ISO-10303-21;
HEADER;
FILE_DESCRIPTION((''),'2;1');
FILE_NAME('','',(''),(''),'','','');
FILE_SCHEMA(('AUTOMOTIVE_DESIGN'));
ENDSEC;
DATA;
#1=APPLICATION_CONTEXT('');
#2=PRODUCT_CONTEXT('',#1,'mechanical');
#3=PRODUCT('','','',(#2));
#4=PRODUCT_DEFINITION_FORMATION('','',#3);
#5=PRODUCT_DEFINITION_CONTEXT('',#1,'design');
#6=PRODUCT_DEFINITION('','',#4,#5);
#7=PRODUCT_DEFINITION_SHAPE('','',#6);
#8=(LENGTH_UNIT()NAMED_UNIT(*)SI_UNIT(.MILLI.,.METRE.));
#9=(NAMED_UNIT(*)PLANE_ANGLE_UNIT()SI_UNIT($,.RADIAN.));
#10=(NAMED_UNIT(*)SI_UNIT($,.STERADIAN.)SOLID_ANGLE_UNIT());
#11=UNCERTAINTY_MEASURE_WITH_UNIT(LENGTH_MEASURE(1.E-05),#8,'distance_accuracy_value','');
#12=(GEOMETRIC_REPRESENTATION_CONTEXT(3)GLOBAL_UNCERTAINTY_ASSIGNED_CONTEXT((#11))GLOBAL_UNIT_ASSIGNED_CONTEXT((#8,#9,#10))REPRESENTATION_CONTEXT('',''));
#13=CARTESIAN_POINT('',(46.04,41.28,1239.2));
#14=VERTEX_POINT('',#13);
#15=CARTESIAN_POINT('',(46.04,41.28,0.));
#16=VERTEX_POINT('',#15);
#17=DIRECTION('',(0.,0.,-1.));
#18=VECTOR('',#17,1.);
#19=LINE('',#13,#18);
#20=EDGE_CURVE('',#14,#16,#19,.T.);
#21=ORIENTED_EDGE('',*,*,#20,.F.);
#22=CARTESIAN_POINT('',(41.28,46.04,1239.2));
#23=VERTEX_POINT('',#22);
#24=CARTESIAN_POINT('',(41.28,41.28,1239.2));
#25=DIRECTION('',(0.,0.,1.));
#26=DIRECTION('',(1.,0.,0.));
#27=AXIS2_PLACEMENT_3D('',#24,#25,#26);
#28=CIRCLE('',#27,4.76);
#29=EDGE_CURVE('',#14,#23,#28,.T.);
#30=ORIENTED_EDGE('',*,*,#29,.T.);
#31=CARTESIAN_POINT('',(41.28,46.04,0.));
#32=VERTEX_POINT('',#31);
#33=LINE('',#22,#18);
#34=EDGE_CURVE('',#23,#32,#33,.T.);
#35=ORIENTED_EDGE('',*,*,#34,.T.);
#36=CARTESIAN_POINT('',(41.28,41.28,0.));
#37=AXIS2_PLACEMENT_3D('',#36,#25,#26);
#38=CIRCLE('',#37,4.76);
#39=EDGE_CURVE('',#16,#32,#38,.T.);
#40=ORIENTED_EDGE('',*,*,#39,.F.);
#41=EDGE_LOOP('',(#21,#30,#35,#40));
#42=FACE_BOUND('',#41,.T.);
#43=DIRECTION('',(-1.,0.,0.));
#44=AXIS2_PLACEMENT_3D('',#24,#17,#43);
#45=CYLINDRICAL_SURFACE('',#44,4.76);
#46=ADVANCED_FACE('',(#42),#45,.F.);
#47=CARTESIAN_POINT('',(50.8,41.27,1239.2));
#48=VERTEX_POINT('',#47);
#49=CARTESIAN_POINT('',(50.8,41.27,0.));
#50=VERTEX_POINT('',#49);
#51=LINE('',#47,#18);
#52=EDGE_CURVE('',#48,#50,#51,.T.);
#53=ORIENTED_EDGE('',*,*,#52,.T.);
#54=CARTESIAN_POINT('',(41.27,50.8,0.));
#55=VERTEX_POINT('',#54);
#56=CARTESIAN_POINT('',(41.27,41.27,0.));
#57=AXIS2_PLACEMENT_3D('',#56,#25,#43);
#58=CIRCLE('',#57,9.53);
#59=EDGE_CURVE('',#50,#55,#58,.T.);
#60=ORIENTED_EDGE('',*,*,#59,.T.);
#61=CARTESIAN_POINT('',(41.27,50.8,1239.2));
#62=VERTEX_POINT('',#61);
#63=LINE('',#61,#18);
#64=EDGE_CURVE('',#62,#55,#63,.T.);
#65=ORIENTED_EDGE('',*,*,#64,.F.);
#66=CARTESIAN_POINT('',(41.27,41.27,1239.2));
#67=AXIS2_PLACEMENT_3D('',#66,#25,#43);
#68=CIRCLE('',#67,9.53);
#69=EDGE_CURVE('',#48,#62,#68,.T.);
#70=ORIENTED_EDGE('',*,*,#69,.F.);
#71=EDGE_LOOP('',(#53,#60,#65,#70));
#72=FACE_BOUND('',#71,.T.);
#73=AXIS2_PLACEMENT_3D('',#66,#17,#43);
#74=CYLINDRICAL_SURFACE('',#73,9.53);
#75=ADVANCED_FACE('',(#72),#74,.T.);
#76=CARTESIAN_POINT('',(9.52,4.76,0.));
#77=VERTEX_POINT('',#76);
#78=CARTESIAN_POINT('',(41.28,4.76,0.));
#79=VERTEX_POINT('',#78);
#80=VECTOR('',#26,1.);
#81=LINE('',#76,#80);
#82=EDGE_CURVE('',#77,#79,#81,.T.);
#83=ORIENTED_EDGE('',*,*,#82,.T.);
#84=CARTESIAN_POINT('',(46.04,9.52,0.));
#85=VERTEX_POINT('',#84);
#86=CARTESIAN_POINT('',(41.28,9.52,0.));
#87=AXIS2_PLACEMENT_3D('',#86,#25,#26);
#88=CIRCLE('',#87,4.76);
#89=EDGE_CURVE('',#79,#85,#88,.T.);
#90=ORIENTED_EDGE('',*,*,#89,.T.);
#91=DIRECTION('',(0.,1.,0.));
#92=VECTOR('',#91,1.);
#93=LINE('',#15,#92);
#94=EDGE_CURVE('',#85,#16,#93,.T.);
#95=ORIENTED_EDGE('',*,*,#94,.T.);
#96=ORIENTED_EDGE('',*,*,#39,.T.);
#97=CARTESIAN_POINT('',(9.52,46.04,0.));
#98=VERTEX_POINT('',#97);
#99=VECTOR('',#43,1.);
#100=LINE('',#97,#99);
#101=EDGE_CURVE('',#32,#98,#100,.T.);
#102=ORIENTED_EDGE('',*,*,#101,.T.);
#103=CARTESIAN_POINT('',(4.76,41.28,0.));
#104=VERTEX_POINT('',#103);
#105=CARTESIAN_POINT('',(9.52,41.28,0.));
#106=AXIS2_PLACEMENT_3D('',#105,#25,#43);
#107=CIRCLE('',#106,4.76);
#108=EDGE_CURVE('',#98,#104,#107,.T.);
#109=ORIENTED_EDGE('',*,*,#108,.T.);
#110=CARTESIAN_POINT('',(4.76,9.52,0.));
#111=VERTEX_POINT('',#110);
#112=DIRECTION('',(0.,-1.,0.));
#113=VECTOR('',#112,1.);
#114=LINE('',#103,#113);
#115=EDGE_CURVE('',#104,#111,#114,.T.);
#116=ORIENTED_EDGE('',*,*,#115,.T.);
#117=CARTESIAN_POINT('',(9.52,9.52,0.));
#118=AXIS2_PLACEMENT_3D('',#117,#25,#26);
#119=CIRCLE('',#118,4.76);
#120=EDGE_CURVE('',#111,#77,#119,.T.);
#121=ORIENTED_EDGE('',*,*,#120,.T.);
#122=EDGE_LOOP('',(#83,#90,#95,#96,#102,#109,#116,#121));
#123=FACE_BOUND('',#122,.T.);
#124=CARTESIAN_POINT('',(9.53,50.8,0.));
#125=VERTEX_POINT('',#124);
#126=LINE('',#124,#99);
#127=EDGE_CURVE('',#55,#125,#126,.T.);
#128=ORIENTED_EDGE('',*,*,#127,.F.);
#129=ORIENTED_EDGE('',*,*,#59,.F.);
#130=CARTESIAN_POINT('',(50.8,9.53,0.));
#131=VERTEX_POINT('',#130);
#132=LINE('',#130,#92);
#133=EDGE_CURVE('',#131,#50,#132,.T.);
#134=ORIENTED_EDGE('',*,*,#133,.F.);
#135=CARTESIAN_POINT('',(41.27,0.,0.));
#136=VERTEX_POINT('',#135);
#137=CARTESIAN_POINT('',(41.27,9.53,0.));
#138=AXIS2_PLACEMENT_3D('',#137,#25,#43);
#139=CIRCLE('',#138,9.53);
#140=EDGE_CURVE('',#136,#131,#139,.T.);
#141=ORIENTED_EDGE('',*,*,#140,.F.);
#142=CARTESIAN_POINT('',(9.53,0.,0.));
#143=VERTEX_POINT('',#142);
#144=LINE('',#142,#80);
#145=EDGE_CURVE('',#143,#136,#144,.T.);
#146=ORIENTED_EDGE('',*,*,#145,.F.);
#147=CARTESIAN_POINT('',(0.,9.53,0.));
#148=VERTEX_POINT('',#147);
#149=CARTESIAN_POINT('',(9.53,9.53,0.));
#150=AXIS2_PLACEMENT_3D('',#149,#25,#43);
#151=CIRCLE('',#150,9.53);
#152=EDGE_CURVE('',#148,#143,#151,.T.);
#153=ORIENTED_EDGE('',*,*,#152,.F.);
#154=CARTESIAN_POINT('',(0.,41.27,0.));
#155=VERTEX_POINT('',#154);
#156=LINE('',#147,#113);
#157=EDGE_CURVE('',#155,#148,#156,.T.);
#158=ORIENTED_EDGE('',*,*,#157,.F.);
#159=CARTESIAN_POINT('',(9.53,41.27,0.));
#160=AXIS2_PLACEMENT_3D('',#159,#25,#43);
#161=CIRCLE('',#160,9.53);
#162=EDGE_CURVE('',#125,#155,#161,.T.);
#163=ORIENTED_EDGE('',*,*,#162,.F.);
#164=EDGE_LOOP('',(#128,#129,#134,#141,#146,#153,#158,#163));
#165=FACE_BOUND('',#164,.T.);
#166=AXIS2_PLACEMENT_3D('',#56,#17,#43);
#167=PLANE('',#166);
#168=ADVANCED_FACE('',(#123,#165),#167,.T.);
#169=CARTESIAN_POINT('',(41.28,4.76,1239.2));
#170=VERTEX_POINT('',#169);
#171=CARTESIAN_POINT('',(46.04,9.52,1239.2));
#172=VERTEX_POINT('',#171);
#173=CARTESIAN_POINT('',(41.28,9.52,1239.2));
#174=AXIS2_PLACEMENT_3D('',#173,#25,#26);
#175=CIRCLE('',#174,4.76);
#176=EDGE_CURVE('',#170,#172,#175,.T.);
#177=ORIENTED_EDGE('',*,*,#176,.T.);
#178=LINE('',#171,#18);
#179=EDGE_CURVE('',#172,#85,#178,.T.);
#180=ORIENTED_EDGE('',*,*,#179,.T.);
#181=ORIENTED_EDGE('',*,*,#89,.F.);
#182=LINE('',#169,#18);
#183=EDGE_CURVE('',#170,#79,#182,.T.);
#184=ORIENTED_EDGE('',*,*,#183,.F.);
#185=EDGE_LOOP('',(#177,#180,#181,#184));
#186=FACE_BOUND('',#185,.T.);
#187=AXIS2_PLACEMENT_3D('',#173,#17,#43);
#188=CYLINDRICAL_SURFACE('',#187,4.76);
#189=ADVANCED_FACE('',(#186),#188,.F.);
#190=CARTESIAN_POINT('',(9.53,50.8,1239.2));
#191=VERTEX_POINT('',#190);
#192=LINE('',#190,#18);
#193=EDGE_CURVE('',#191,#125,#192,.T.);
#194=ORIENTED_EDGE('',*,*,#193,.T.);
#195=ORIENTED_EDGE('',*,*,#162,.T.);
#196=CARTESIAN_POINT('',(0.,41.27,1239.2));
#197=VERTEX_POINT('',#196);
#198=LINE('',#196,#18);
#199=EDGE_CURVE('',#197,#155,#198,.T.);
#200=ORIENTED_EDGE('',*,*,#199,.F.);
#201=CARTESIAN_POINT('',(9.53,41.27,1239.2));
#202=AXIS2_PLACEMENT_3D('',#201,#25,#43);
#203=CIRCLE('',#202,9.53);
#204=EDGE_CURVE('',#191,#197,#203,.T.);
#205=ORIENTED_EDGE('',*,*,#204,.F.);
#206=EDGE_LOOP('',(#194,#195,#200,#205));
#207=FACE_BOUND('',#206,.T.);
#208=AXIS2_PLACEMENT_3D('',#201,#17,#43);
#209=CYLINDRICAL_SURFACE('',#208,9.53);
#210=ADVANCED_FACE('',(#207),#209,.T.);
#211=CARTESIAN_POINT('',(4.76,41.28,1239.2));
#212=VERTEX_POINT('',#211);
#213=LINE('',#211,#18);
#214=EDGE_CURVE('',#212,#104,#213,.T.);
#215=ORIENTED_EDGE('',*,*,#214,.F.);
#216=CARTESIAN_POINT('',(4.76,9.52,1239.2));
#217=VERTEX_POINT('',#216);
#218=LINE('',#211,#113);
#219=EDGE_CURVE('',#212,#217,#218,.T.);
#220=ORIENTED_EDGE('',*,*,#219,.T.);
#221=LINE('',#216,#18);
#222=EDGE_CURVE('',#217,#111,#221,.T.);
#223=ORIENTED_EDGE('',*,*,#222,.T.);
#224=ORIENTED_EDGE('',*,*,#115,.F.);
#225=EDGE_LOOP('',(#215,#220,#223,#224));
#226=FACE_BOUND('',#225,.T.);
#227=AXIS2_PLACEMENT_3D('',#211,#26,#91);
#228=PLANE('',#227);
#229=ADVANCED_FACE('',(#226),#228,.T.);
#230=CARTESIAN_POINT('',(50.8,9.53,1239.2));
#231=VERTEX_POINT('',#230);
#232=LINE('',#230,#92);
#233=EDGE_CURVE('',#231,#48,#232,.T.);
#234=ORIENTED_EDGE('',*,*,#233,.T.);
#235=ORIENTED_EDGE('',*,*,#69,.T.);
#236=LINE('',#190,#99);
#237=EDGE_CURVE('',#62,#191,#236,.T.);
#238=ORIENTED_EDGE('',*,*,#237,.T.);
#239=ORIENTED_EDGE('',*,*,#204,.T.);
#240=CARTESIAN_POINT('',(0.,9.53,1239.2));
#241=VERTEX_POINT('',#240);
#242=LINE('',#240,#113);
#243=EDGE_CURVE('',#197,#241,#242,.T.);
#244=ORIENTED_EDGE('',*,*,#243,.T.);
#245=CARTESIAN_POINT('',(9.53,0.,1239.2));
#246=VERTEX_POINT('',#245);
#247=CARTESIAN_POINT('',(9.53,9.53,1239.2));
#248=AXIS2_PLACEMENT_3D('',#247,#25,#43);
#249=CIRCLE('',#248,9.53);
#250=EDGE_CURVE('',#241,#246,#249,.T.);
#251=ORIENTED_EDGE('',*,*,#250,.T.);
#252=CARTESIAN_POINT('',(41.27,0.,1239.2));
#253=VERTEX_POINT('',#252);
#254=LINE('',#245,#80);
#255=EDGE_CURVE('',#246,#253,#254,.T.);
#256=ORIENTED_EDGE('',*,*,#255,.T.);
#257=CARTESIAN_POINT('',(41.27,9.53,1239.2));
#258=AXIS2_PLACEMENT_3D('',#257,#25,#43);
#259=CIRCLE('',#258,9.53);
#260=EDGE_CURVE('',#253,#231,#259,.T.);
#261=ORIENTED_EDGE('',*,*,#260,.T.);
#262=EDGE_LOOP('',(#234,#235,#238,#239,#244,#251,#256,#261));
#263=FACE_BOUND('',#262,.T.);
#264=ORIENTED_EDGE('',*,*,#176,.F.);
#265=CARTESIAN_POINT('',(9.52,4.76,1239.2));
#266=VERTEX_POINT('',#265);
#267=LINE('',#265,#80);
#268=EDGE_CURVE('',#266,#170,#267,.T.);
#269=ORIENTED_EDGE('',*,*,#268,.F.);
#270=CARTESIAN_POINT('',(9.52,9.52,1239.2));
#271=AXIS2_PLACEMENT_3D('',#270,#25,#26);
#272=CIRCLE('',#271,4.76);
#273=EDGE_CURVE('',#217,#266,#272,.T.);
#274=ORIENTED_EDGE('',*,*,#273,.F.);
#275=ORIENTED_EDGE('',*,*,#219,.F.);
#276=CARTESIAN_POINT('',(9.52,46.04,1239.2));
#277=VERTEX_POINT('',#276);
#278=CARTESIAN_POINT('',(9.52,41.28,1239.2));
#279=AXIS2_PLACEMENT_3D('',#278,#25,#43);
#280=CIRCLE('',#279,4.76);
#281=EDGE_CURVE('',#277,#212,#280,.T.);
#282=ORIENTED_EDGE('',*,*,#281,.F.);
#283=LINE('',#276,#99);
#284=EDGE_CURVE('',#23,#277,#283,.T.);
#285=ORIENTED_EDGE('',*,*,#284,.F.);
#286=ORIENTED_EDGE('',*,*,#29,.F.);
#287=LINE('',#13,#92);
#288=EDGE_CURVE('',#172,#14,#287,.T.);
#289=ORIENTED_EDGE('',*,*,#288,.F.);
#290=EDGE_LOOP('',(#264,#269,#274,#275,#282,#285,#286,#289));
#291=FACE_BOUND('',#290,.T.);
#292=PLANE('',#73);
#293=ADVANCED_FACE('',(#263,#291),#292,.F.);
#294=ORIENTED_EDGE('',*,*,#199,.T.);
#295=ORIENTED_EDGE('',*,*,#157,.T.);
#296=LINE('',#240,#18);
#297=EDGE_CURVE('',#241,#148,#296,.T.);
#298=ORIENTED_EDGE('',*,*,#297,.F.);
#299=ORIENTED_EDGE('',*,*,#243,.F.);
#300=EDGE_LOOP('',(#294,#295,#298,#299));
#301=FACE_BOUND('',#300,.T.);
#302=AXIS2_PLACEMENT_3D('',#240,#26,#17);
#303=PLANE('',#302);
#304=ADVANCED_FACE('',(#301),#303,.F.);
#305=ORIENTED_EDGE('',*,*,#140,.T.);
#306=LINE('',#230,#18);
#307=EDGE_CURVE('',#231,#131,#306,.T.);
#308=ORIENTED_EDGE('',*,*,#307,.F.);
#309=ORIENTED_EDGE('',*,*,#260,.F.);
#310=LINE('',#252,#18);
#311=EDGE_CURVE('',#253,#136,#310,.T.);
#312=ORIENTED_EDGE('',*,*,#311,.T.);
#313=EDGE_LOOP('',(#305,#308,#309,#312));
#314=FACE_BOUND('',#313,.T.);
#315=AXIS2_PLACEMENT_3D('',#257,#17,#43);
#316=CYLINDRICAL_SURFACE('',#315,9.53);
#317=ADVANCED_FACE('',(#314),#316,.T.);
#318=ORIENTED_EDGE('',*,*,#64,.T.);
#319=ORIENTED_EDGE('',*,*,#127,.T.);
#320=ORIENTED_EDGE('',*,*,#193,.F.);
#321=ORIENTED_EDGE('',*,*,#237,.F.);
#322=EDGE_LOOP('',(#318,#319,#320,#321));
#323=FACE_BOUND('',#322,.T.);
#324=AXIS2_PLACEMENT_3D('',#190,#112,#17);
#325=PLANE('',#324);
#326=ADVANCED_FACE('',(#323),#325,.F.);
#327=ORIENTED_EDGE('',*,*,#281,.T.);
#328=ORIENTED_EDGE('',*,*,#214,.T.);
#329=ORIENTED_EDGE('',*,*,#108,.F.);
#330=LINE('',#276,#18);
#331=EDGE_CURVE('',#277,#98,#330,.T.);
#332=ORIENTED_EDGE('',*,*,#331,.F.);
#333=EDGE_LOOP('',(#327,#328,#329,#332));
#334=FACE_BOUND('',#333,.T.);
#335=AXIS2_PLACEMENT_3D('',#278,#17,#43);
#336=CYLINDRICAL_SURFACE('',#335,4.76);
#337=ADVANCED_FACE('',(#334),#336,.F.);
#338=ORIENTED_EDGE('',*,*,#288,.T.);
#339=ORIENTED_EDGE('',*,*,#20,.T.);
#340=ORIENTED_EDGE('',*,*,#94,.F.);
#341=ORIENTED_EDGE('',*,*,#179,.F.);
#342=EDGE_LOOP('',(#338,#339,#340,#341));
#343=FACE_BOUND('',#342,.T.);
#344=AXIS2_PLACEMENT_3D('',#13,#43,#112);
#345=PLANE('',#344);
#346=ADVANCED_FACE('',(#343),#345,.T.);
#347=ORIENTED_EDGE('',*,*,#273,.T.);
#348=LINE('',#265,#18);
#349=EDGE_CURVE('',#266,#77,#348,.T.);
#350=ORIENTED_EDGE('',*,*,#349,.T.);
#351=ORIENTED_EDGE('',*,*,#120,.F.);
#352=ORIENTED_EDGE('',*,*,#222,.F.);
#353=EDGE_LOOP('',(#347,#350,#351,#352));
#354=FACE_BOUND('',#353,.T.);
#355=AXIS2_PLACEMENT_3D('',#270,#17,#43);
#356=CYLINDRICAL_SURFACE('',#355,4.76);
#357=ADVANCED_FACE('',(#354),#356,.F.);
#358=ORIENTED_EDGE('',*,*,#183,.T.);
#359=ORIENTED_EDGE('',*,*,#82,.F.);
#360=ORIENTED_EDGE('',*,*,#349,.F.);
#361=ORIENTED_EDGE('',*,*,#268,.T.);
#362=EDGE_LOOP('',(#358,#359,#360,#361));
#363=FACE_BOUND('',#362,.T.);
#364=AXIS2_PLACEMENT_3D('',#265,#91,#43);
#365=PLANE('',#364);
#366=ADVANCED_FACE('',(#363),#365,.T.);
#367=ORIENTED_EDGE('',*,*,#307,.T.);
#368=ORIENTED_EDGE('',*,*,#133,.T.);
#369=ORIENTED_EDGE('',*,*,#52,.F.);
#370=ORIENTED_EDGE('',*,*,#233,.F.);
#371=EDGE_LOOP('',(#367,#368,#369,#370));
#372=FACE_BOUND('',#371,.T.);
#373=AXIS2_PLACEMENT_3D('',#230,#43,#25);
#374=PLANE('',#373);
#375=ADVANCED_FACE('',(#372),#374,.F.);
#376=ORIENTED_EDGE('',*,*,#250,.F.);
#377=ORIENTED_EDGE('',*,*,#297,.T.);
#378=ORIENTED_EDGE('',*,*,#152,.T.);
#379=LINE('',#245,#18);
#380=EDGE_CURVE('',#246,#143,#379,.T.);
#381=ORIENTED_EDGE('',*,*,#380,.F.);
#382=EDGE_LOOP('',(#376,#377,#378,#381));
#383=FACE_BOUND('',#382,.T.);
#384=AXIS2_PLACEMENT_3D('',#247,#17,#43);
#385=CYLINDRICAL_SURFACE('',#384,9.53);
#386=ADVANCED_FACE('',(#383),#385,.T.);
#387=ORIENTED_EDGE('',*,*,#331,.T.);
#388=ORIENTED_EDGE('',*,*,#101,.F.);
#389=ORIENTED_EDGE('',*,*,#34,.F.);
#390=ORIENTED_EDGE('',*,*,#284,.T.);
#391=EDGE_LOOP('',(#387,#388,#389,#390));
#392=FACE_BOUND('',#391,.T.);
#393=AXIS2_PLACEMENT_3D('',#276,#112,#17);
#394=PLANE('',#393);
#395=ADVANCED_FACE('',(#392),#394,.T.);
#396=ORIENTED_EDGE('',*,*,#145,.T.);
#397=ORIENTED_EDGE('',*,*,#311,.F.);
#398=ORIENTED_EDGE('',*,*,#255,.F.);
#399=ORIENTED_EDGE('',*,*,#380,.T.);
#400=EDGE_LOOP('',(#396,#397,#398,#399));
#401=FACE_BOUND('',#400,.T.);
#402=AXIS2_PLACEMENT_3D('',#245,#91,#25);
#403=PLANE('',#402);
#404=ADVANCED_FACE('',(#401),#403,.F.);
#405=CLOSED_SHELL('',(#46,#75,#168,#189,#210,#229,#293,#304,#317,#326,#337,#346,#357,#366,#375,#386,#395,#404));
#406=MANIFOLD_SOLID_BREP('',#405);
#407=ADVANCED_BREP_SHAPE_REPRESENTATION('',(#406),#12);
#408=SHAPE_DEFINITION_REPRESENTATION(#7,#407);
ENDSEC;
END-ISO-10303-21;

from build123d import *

# Parameters (mm, degrees)
DODANIE_WYCI_GNI_CIE1_DEPTH = 1239.2


with BuildPart() as part:
    # Szkic1 → Dodanie-wyciągnięcie1 (new body)
    with BuildSketch(Plane.XY):
        with BuildLine():
            Line((9.53, 0), (41.27, 0))
            ThreePointArc((41.27, 0), (48.008727625, 2.791272375), (50.8, 9.53))
            Line((50.8, 9.53), (50.8, 41.27))
            ThreePointArc((50.8, 41.27), (48.008727625, 48.008727625), (41.27, 50.8))
            Line((41.27, 50.8), (9.53, 50.8))
            ThreePointArc((9.53, 50.8), (2.791272375, 48.008727625), (0, 41.27))
            Line((0, 41.27), (0, 9.53))
            ThreePointArc((0, 9.53), (2.791272375, 2.791272375), (9.53, 0))
        make_face()
        with BuildLine():
            Line((9.52, 46.04), (41.28, 46.04))
            ThreePointArc((41.28, 46.04), (44.645828278, 44.645828278), (46.04, 41.28))
            Line((46.04, 41.28), (46.04, 9.52))
            ThreePointArc((46.04, 9.52), (44.645828278, 6.154171722), (41.28, 4.76))
            Line((41.28, 4.76), (9.52, 4.76))
            ThreePointArc((9.52, 4.76), (6.154171722, 6.154171722), (4.76, 9.52))
            Line((4.76, 9.52), (4.76, 41.28))
            ThreePointArc((4.76, 41.28), (6.154171722, 44.645828278), (9.52, 46.04))
        make_face(mode=Mode.SUBTRACT)
    extrude(amount=DODANIE_WYCI_GNI_CIE1_DEPTH)


solid = part.part
